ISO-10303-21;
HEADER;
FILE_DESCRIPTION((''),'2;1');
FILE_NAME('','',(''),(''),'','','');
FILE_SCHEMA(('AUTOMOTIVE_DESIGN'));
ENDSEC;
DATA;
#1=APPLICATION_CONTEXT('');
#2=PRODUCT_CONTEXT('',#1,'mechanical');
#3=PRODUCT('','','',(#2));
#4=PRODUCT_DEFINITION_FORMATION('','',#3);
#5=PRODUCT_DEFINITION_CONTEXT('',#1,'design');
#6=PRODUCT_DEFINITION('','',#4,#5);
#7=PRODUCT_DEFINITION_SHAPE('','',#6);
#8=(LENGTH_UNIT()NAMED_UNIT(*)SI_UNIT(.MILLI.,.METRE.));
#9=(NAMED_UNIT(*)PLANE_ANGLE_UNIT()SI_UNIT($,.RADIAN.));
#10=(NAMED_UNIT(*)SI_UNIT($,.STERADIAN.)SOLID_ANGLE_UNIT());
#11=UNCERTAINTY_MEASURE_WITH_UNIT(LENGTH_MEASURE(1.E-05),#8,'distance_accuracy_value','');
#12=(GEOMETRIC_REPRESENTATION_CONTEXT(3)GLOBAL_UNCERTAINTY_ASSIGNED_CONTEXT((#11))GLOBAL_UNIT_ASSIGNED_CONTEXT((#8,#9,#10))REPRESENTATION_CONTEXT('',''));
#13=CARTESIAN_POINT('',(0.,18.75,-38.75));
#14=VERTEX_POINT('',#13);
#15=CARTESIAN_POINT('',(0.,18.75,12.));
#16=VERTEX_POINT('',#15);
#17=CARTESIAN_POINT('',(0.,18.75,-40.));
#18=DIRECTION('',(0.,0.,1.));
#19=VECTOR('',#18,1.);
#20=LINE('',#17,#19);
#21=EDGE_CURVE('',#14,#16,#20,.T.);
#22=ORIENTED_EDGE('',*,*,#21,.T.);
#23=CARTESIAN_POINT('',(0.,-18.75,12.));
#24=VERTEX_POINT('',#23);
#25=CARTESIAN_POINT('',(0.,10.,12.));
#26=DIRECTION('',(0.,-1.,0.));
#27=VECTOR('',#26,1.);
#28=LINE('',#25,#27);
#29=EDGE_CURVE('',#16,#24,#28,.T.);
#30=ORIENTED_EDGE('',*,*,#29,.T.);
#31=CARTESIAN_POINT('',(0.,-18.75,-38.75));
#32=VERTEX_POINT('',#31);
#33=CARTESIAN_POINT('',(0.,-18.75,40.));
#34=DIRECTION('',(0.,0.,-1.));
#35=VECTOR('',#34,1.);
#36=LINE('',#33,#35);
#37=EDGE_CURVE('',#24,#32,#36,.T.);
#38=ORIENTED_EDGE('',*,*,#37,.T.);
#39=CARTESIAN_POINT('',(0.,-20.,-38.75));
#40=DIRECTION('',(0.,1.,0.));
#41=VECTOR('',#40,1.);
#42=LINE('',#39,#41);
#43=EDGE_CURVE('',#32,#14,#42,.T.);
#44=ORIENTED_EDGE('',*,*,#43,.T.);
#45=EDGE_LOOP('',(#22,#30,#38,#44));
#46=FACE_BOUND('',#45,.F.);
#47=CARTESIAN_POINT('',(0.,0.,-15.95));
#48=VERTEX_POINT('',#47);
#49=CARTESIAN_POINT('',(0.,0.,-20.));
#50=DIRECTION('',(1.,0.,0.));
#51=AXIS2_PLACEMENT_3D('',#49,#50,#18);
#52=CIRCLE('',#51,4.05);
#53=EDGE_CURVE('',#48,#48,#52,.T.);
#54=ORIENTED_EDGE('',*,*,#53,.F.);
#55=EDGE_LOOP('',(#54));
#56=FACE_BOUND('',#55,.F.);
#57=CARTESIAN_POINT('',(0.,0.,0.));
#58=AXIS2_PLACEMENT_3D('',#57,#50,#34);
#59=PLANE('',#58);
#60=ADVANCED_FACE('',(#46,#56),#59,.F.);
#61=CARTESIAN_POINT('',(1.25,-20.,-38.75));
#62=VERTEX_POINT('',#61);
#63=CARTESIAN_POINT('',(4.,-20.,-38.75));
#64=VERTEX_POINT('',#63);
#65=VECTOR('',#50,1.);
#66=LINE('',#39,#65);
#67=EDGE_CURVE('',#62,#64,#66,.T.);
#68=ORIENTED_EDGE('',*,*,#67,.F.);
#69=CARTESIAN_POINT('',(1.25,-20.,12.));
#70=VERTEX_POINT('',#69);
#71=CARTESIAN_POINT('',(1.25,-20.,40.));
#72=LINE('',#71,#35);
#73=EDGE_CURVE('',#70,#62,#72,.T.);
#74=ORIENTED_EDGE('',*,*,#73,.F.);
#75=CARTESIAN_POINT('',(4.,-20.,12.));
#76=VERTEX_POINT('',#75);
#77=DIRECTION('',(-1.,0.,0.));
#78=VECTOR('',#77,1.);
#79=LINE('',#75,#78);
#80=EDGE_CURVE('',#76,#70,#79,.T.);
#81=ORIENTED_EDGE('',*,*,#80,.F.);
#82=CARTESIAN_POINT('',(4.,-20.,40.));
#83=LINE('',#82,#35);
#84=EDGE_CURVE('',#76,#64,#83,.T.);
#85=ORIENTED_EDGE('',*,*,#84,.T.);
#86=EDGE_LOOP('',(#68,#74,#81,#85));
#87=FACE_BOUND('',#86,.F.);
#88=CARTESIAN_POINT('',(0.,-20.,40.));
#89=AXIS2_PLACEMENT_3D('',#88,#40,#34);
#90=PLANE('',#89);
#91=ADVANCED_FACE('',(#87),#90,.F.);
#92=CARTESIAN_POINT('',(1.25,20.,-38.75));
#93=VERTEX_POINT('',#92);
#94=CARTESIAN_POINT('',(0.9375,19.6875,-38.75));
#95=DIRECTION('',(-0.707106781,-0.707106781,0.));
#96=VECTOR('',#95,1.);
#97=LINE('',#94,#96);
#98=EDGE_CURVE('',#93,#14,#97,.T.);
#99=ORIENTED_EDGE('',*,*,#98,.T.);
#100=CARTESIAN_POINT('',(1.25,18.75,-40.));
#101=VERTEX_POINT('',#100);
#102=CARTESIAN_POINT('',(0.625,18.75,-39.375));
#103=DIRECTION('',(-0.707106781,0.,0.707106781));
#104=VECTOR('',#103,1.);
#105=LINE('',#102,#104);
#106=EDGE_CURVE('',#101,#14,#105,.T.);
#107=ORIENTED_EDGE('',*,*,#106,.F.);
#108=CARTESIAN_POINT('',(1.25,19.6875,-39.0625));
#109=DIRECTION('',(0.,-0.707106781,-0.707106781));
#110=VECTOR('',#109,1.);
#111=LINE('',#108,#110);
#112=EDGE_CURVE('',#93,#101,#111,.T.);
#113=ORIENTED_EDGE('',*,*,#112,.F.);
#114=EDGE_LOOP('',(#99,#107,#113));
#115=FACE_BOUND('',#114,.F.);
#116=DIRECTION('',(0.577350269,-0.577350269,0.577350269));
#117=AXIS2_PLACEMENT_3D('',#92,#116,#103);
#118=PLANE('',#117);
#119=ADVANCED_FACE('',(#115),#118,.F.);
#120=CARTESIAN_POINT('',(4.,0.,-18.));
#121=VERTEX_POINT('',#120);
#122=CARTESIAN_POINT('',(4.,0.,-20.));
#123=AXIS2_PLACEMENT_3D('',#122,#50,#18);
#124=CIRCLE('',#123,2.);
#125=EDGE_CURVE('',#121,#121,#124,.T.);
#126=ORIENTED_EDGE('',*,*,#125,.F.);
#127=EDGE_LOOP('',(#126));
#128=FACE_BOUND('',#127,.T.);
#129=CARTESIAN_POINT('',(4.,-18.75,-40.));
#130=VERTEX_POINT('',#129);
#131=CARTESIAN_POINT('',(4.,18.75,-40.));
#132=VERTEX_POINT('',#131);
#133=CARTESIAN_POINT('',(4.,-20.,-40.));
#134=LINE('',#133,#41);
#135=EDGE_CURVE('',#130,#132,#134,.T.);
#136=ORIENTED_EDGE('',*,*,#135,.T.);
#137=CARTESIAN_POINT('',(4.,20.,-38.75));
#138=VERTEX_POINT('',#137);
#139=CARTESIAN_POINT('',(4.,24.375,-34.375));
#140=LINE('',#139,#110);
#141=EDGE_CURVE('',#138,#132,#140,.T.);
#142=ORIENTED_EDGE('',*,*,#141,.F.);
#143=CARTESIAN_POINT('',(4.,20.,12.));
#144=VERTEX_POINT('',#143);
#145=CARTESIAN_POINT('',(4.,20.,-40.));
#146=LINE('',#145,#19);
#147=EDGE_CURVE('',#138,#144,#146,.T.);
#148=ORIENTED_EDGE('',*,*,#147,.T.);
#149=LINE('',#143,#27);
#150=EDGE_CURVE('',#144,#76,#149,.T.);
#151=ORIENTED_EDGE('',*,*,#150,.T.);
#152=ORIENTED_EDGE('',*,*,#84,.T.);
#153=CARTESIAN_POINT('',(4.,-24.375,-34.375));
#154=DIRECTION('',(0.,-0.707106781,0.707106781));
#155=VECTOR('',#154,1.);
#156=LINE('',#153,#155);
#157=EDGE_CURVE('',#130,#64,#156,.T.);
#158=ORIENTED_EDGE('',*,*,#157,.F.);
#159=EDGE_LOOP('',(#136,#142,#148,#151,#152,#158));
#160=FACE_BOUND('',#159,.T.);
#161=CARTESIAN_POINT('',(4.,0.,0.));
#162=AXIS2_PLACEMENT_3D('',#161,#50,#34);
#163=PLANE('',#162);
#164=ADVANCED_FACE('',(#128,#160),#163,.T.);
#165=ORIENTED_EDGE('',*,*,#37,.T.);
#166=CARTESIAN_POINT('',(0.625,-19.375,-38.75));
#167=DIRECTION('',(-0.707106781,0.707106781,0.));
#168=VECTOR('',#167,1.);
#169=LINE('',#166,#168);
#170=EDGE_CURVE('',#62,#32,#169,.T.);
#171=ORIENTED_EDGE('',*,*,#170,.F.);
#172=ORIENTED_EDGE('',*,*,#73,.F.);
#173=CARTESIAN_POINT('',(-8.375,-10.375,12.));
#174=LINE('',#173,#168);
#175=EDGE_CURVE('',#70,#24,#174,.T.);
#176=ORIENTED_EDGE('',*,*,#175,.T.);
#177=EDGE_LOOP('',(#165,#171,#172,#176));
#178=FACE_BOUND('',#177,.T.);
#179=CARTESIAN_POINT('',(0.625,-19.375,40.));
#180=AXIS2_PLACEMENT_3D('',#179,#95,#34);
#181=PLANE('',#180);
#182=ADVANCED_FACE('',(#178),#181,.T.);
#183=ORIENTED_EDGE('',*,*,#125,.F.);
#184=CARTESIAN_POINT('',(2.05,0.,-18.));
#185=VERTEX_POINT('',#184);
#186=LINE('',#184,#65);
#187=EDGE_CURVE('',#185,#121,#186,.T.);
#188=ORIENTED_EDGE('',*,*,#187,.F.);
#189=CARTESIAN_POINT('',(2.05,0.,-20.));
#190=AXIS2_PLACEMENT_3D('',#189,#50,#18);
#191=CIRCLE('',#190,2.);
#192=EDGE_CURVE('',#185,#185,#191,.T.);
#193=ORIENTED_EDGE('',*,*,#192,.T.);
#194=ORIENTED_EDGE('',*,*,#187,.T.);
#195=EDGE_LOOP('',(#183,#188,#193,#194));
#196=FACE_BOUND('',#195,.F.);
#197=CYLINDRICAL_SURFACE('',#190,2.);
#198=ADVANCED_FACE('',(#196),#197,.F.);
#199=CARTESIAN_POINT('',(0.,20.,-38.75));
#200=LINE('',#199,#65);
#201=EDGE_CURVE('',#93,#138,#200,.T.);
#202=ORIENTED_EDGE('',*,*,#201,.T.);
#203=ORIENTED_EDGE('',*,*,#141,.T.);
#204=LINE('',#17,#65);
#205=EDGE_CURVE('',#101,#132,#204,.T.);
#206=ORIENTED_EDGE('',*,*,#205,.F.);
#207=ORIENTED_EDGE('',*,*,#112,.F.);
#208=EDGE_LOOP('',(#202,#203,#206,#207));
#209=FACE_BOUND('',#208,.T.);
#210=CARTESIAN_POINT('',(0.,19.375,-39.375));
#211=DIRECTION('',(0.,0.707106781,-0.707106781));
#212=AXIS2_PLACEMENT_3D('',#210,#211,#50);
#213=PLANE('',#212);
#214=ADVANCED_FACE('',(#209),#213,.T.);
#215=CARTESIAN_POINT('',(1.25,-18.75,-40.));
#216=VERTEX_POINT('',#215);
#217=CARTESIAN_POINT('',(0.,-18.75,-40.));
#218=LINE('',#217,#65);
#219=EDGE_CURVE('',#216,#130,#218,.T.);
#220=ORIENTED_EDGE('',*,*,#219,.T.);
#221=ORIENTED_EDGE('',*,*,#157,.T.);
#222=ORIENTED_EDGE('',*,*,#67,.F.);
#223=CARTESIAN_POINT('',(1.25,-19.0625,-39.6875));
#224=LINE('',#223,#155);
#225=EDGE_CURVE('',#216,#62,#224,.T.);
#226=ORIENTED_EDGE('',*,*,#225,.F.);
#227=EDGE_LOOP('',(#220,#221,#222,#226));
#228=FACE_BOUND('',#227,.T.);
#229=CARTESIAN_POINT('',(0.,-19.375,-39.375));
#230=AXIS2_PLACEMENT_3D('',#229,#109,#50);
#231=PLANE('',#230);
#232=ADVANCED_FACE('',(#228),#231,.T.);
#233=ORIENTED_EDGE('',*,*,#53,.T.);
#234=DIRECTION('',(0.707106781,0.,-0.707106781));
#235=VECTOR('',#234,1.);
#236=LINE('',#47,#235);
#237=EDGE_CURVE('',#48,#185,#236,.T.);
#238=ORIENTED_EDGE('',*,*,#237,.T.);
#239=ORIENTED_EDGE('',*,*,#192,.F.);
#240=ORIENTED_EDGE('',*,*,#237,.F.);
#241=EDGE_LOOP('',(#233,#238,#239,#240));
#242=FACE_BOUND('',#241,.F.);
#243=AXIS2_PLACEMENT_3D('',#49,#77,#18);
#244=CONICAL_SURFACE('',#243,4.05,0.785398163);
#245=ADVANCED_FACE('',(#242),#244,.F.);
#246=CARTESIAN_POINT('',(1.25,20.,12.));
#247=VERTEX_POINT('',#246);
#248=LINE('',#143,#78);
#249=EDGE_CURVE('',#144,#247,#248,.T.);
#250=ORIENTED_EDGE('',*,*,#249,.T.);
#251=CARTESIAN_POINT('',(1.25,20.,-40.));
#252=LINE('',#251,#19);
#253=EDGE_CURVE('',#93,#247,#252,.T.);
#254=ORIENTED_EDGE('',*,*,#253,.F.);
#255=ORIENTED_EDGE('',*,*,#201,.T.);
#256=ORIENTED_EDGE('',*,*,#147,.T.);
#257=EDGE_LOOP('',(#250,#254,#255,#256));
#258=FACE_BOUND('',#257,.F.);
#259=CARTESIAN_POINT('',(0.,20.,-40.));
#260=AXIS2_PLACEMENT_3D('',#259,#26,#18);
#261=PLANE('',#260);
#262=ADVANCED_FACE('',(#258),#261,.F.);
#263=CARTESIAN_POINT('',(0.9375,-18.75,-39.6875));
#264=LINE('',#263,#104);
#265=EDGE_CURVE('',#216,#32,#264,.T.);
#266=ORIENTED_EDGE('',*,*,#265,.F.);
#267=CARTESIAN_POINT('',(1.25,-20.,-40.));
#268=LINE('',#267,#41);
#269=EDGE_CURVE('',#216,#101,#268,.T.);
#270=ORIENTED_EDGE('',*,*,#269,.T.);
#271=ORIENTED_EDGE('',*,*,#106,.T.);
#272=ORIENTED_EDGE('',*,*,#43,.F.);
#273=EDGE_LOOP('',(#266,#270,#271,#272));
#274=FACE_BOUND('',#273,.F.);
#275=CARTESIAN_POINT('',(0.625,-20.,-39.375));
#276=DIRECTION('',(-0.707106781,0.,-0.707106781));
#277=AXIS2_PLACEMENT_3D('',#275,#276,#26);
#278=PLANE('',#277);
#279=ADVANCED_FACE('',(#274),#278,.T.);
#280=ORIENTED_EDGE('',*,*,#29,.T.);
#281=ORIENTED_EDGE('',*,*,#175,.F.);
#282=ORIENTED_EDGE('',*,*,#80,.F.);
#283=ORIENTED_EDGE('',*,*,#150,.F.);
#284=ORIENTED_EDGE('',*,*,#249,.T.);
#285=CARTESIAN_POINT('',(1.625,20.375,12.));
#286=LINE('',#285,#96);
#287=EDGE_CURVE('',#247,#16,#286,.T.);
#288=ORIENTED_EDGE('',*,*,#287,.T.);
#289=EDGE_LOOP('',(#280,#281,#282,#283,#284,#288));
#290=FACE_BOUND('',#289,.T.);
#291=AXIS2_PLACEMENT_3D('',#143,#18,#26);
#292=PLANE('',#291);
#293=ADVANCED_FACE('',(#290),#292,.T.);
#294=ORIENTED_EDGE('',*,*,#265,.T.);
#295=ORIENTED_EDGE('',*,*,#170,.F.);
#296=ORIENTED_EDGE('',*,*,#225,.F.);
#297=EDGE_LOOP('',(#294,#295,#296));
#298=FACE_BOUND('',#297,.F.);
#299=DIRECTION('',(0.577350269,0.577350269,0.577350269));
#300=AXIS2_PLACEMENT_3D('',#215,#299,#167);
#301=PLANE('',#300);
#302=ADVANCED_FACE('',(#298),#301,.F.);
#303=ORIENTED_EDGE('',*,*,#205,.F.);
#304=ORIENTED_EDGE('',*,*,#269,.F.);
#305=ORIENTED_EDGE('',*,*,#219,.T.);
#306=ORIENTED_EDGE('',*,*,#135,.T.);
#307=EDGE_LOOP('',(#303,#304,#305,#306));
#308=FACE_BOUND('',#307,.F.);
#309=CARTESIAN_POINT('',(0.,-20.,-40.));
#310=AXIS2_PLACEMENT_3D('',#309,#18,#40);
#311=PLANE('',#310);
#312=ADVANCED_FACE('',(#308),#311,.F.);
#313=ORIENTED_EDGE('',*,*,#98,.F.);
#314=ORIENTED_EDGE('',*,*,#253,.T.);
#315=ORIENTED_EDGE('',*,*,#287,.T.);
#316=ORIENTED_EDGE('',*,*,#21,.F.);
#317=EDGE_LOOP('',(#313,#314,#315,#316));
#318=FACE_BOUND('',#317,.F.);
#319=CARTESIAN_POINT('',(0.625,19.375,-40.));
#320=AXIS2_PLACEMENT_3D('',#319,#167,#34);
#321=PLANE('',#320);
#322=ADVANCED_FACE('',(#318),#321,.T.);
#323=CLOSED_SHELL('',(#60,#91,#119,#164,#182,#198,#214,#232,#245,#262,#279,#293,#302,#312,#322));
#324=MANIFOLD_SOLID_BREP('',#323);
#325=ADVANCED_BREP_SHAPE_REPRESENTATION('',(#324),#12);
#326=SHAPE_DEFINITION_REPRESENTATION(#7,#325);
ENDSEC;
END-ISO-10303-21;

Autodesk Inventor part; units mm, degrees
sketch "Skizze_1" plane through (0, 0, 0) normal (1, 0, 0) x (0, 0, -1)
  line L0 (-40, 20) -> (-40, -20)
  line L1 (-40, -20) -> (40, -20)
  line L2 (40, -20) -> (40, 20)
  line L3 (40, 20) -> (-40, 20)
extrude "Extrusion1" add sketch "Skizze_1" along normal blind 4
sketch "Sketch2" plane through (0, 0, 0) normal (-1, 0, 0) x (0, 0, 1)
  point P0 (20, 0)
hole "Hole1" at (0, 0, 20) direction (1, 0, 0) diameter 4 depth 4 countersink diameter 8.1 countersink angle 90
sketch "Sketch3" plane through (0, 0, 0) normal (-1, 0, 0) x (0, 0, 1)
  point P0 (-20, 0)
hole "Hole2" at (0, 0, -20) direction (1, 0, 0) diameter 4 depth 4 countersink diameter 8.1 countersink angle 90
ref_plane "CS_ANBAU_CAP_XY" through (0, 0, 0) normal (0, 1, 0) x (1, 0, 0)
ref_plane "CS_ANBAU_CAP_YZ" through (0, 0, 0) normal (1, 0, 0) x (0, 0, -1)
ref_plane "CS_ANBAU_CAP_ZX" through (0, 0, 0) normal (0, 0, -1) x (0, 1, 0)
ref_plane "CS_ANBAU_CAP_90_XY" through (0, 0, 0) normal (0, 0, 1) x (1, 0, 0)
ref_plane "CS_ANBAU_CAP_90_YZ" through (0, 0, 0) normal (1, 0, 0) x (0, 1, 0)
ref_plane "CS_ANBAU_CAP_90_ZX" through (0, 0, 0) normal (0, 1, 0) x (0, 0, 1)
ref_plane "IB_1_XY" through (0, 0, 0) normal (1, 0, 0) x (0, 0, -1)
ref_plane "IB_1_YZ" through (0, 0, 0) normal (0, 0, -1) x (0, 1, 0)
ref_plane "IB_1_ZX" through (0, 0, 0) normal (0, 1, 0) x (1, 0, 0)
ref_plane "IB_10_XY" through (0, -14, 30) normal (1, 0, 0) x (0, 0, -1)
ref_plane "IB_10_YZ" through (0, -14, 30) normal (0, 0, -1) x (0, 1, 0)
ref_plane "IB_10_ZX" through (0, -14, 30) normal (0, 1, 0) x (1, 0, 0)
ref_plane "IB_11_XY" through (0, 14, 30) normal (1, 0, 0) x (0, 0, -1)
ref_plane "IB_11_YZ" through (0, 14, 30) normal (0, 0, -1) x (0, 1, 0)
ref_plane "IB_11_ZX" through (0, 14, 30) normal (0, 1, 0) x (1, 0, 0)
ref_plane "IB_12_XY" through (0, 0, -20) normal (1, 0, 0) x (0, 0, -1)
ref_plane "IB_12_YZ" through (0, 0, -20) normal (0, 0, -1) x (0, 1, 0)
ref_plane "IB_12_ZX" through (0, 0, -20) normal (0, 1, 0) x (1, 0, 0)
ref_plane "IB_2_XY" through (0, 0, -20) normal (1, 0, 0) x (0, 0, -1)
ref_plane "IB_2_YZ" through (0, 0, -20) normal (0, 0, -1) x (0, 1, 0)
ref_plane "IB_2_ZX" through (0, 0, -20) normal (0, 1, 0) x (1, 0, 0)
ref_plane "IB_3_XY" through (0, 0, 20) normal (1, 0, 0) x (0, 0, -1)
ref_plane "IB_3_YZ" through (0, 0, 20) normal (0, 0, -1) x (0, 1, 0)
ref_plane "IB_3_ZX" through (0, 0, 20) normal (0, 1, 0) x (1, 0, 0)
ref_plane "IB_4_XY" through (0, 13.5, -33.5) normal (1, 0, 0) x (0, 0, -1)
ref_plane "IB_4_YZ" through (0, 13.5, -33.5) normal (0, 0, -1) x (0, 1, 0)
ref_plane "IB_4_ZX" through (0, 13.5, -33.5) normal (0, 1, 0) x (1, 0, 0)
ref_plane "IB_5_XY" through (0, 13.5, 33.5) normal (1, 0, 0) x (0, 0, -1)
ref_plane "IB_5_YZ" through (0, 13.5, 33.5) normal (0, 0, -1) x (0, 1, 0)
ref_plane "IB_5_ZX" through (0, 13.5, 33.5) normal (0, 1, 0) x (1, 0, 0)
ref_plane "IB_6_XY" through (0, 1.5, 26.5) normal (1, 0, 0) x (0, 0, -1)
ref_plane "IB_6_YZ" through (0, 1.5, 26.5) normal (0, 0, -1) x (0, 1, 0)
ref_plane "IB_6_ZX" through (0, 1.5, 26.5) normal (0, 1, 0) x (1, 0, 0)
ref_plane "IB_7_XY" through (0, 1.5, -26.5) normal (1, 0, 0) x (0, 0, -1)
ref_plane "IB_7_YZ" through (0, 1.5, -26.5) normal (0, 0, -1) x (0, 1, 0)
ref_plane "IB_7_ZX" through (0, 1.5, -26.5) normal (0, 1, 0) x (1, 0, 0)
ref_plane "IB_8_XY" through (0, -2, 34) normal (1, 0, 0) x (0, 0, -1)
ref_plane "IB_8_YZ" through (0, -2, 34) normal (0, 0, -1) x (0, 1, 0)
ref_plane "IB_8_ZX" through (0, -2, 34) normal (0, 1, 0) x (1, 0, 0)
ref_plane "IB_9_XY" through (0, -2, -34) normal (1, 0, 0) x (0, 0, -1)
ref_plane "IB_9_YZ" through (0, -2, -34) normal (0, 0, -1) x (0, 1, 0)
ref_plane "IB_9_ZX" through (0, -2, -34) normal (0, 1, 0) x (1, 0, 0)
chamfer "Chamfer1" distance 1.25 angle 45 8 edges at (2, -20, 40) (0, -20, 0) (0, 0, 40) (2, -20, -40) (0, 0, -40) (2, 20, -40) (0, 20, 0) (2, 20, 40)
sketch "Sketch5" plane through (4, 0, 0) normal (1, 0, 0) x (0, 0, -1)
  line L0 (-38.75, -20) -> (38.75, -20) projected
  line L1 (-12, -20) -> (-40, -20)
  line L2 (-40, -20) -> (-40, 20)
  line L3 (-40, 20) -> (-12, 20)
  line L4 (-12, 20) -> (-12, -20)
  line L5 (-40, 18.75) -> (-40, -18.75) projected
  line L6 (38.75, 20) -> (-38.75, 20) projected
  line L7 (40, -18.75) -> (40, 18.75) projected
  point P0 (0, 0)
  dimension "d32" = 52
extrude "Extrusion2" cut sketch "Sketch5" against normal through all
properties part number "Robotunits CAP_4080_1" material "ABS PlastiK"
